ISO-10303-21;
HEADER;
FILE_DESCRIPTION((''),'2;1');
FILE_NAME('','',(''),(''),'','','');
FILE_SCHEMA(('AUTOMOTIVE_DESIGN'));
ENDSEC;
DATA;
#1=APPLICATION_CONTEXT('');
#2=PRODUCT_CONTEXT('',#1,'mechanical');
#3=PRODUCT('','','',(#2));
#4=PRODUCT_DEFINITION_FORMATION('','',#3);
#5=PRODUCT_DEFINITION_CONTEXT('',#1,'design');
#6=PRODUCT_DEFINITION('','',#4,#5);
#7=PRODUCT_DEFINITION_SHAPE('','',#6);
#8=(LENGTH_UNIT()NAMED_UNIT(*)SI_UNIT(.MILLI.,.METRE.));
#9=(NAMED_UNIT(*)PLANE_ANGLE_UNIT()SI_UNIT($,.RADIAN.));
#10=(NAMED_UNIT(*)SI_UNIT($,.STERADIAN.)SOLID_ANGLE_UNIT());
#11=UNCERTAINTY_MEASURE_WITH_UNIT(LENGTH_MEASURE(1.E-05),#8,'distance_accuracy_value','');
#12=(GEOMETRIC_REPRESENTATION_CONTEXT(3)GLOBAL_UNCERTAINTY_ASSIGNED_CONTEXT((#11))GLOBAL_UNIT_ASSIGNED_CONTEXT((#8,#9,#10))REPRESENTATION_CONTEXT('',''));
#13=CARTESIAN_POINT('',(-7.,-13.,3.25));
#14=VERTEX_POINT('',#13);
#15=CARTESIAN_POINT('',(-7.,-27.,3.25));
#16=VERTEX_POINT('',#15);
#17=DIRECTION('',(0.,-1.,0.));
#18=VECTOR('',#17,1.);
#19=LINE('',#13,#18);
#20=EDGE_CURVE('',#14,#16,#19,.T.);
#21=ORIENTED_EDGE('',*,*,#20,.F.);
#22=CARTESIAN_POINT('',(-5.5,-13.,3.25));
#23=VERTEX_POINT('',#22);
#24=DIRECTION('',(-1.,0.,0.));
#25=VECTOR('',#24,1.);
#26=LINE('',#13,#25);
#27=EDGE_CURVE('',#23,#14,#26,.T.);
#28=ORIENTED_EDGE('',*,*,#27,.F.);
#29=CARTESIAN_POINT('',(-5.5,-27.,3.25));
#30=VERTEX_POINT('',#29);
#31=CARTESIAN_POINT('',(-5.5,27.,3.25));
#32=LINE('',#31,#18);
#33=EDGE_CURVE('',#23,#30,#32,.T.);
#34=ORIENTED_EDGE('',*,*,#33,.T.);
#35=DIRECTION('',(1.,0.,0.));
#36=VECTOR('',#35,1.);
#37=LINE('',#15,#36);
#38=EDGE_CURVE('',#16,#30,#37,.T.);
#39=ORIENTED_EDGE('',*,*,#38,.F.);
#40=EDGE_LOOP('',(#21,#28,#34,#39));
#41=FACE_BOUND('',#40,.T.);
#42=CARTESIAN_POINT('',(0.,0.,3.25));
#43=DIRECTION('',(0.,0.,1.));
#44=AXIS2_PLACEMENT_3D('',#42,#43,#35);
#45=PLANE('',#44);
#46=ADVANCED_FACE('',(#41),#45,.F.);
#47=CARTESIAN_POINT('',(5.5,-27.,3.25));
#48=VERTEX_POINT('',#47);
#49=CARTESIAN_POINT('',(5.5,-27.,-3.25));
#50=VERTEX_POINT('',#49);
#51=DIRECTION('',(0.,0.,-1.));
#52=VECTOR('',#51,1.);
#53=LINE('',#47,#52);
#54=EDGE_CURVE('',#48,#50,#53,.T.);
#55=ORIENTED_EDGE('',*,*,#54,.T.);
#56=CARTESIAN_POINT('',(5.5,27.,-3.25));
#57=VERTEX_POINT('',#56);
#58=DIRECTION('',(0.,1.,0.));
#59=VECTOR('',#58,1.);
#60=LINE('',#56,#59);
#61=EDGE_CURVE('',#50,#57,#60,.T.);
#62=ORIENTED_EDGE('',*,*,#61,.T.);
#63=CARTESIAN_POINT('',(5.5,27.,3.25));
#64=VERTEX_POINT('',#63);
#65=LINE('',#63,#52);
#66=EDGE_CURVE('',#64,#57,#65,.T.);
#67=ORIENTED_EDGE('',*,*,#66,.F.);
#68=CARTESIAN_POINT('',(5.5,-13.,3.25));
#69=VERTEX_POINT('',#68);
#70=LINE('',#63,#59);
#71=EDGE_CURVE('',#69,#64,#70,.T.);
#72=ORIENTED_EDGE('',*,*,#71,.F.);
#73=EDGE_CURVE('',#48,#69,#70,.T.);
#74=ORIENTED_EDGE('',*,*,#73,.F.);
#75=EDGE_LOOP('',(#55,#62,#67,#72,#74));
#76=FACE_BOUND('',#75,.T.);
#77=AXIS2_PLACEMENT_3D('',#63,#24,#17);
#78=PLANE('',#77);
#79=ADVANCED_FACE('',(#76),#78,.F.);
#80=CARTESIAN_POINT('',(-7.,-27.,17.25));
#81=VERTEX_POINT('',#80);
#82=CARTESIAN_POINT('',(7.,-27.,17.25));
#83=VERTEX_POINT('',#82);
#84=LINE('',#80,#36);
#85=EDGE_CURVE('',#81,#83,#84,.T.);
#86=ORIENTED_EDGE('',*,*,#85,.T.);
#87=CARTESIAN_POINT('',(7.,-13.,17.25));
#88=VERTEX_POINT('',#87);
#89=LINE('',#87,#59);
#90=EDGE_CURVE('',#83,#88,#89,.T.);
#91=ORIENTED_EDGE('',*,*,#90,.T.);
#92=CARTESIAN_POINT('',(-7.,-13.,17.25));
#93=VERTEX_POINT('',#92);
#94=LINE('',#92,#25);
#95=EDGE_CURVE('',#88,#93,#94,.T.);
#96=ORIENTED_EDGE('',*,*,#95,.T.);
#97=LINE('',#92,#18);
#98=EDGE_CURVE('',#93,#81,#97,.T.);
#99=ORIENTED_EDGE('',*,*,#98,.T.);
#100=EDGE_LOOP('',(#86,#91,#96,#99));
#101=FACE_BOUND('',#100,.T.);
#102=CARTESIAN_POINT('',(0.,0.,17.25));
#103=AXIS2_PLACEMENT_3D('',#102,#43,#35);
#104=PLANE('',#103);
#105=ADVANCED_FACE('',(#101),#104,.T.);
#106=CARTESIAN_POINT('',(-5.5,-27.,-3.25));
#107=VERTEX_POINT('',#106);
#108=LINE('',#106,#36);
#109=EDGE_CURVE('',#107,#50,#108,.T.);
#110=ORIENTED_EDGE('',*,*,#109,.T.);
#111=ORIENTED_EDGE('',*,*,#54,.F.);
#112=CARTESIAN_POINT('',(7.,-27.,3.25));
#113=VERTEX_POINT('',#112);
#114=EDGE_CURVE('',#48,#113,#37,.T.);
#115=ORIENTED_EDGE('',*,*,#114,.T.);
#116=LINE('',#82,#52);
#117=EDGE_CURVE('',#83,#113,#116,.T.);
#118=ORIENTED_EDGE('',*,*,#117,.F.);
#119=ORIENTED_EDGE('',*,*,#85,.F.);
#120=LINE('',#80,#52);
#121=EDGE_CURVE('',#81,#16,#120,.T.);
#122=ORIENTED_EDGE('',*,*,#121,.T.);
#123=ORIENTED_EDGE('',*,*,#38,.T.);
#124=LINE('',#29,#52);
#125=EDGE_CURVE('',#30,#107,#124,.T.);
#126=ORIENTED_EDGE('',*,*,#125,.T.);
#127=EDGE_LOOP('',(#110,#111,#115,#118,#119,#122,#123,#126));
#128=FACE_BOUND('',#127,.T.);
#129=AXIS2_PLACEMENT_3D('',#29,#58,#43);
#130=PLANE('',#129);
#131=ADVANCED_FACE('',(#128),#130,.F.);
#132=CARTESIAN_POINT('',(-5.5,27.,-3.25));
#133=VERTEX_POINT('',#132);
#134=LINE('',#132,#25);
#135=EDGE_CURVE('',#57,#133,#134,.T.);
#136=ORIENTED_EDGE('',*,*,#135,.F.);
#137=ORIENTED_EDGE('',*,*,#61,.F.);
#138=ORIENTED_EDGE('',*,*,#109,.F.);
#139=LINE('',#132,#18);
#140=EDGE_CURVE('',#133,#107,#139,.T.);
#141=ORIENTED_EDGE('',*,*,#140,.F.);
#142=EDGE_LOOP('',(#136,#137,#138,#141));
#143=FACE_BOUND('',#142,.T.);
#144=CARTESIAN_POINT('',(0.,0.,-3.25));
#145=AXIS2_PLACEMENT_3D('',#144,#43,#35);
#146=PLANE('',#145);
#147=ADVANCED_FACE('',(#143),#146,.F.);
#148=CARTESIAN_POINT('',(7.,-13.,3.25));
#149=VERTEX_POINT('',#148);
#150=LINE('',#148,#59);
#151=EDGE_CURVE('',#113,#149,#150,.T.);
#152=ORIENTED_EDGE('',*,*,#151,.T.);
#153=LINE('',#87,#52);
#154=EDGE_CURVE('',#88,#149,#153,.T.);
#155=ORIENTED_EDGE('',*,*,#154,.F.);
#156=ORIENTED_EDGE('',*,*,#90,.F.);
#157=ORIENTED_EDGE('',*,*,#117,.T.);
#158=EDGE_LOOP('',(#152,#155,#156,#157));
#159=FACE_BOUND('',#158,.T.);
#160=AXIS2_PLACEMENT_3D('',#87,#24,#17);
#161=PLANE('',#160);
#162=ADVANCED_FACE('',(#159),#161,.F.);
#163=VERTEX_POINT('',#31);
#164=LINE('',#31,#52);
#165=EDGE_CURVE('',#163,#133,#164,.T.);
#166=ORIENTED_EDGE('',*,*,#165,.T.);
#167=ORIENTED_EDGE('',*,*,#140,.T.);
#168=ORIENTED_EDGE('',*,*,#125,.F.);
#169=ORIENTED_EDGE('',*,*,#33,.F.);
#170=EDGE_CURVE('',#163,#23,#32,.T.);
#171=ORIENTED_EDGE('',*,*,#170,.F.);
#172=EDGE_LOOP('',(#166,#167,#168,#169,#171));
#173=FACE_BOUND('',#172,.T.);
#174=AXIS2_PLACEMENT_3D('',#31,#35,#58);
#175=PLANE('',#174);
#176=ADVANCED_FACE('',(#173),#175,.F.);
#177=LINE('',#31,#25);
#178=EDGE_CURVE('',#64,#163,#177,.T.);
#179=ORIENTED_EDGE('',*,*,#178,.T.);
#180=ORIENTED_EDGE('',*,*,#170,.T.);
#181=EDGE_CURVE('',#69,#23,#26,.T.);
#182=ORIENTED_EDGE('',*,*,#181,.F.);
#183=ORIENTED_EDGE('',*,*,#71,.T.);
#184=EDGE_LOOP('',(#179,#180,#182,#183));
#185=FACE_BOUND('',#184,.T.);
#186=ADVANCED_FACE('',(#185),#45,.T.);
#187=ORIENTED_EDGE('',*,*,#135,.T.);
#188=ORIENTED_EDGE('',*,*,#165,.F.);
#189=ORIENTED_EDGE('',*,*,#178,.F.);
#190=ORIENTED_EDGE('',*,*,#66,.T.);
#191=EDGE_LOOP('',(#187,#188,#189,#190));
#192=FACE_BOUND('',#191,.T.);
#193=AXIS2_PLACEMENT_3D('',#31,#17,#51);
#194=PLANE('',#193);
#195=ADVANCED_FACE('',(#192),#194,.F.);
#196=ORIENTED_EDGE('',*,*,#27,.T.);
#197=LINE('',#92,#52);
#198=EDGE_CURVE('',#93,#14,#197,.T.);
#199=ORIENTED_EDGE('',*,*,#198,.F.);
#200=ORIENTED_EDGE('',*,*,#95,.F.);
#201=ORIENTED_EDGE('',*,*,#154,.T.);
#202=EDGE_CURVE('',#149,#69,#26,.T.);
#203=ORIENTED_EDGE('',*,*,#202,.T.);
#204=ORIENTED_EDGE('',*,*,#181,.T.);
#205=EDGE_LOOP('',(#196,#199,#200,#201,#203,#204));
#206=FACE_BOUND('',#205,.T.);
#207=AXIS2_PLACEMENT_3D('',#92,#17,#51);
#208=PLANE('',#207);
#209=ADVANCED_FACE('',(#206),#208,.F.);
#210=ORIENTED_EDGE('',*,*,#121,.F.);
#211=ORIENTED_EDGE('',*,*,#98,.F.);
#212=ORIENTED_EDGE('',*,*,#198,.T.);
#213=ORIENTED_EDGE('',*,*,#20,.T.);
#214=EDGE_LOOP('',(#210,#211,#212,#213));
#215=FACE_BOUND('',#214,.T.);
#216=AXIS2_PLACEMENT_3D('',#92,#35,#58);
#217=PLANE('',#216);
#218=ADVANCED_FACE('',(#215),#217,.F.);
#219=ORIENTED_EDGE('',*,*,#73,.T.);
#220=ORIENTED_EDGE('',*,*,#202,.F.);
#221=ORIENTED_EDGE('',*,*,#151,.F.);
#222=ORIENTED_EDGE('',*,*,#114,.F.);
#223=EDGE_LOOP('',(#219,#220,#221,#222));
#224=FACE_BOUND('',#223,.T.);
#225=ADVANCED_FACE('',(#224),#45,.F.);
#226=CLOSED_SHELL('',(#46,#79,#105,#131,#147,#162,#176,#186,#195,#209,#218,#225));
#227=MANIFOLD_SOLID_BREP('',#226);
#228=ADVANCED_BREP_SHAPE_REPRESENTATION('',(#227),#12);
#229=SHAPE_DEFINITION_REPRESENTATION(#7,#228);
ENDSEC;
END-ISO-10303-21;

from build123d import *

# Parameters (mm, degrees)
SKETCH1_W           = 11
SKETCH1_H           = 54
BOSS_EXTRUDE1_DEPTH = 3.25
SKETCH2_W           = 14
SKETCH2_H           = 14
BOSS_EXTRUDE3_DEPTH = 14


with BuildPart() as part:
    # Sketch1 → Boss-Extrude1 (new, symmetric)
    with BuildSketch(Plane.XY):
        Rectangle(SKETCH1_W, SKETCH1_H)
    extrude(amount=BOSS_EXTRUDE1_DEPTH, both=True)

    # Sketch2 → Boss-Extrude3 (add)
    with BuildSketch(Plane.XY.offset(3.25)):
        with Locations((0, -20)):
            Rectangle(SKETCH2_W, SKETCH2_H)
    extrude(amount=BOSS_EXTRUDE3_DEPTH)


solid = part.part
